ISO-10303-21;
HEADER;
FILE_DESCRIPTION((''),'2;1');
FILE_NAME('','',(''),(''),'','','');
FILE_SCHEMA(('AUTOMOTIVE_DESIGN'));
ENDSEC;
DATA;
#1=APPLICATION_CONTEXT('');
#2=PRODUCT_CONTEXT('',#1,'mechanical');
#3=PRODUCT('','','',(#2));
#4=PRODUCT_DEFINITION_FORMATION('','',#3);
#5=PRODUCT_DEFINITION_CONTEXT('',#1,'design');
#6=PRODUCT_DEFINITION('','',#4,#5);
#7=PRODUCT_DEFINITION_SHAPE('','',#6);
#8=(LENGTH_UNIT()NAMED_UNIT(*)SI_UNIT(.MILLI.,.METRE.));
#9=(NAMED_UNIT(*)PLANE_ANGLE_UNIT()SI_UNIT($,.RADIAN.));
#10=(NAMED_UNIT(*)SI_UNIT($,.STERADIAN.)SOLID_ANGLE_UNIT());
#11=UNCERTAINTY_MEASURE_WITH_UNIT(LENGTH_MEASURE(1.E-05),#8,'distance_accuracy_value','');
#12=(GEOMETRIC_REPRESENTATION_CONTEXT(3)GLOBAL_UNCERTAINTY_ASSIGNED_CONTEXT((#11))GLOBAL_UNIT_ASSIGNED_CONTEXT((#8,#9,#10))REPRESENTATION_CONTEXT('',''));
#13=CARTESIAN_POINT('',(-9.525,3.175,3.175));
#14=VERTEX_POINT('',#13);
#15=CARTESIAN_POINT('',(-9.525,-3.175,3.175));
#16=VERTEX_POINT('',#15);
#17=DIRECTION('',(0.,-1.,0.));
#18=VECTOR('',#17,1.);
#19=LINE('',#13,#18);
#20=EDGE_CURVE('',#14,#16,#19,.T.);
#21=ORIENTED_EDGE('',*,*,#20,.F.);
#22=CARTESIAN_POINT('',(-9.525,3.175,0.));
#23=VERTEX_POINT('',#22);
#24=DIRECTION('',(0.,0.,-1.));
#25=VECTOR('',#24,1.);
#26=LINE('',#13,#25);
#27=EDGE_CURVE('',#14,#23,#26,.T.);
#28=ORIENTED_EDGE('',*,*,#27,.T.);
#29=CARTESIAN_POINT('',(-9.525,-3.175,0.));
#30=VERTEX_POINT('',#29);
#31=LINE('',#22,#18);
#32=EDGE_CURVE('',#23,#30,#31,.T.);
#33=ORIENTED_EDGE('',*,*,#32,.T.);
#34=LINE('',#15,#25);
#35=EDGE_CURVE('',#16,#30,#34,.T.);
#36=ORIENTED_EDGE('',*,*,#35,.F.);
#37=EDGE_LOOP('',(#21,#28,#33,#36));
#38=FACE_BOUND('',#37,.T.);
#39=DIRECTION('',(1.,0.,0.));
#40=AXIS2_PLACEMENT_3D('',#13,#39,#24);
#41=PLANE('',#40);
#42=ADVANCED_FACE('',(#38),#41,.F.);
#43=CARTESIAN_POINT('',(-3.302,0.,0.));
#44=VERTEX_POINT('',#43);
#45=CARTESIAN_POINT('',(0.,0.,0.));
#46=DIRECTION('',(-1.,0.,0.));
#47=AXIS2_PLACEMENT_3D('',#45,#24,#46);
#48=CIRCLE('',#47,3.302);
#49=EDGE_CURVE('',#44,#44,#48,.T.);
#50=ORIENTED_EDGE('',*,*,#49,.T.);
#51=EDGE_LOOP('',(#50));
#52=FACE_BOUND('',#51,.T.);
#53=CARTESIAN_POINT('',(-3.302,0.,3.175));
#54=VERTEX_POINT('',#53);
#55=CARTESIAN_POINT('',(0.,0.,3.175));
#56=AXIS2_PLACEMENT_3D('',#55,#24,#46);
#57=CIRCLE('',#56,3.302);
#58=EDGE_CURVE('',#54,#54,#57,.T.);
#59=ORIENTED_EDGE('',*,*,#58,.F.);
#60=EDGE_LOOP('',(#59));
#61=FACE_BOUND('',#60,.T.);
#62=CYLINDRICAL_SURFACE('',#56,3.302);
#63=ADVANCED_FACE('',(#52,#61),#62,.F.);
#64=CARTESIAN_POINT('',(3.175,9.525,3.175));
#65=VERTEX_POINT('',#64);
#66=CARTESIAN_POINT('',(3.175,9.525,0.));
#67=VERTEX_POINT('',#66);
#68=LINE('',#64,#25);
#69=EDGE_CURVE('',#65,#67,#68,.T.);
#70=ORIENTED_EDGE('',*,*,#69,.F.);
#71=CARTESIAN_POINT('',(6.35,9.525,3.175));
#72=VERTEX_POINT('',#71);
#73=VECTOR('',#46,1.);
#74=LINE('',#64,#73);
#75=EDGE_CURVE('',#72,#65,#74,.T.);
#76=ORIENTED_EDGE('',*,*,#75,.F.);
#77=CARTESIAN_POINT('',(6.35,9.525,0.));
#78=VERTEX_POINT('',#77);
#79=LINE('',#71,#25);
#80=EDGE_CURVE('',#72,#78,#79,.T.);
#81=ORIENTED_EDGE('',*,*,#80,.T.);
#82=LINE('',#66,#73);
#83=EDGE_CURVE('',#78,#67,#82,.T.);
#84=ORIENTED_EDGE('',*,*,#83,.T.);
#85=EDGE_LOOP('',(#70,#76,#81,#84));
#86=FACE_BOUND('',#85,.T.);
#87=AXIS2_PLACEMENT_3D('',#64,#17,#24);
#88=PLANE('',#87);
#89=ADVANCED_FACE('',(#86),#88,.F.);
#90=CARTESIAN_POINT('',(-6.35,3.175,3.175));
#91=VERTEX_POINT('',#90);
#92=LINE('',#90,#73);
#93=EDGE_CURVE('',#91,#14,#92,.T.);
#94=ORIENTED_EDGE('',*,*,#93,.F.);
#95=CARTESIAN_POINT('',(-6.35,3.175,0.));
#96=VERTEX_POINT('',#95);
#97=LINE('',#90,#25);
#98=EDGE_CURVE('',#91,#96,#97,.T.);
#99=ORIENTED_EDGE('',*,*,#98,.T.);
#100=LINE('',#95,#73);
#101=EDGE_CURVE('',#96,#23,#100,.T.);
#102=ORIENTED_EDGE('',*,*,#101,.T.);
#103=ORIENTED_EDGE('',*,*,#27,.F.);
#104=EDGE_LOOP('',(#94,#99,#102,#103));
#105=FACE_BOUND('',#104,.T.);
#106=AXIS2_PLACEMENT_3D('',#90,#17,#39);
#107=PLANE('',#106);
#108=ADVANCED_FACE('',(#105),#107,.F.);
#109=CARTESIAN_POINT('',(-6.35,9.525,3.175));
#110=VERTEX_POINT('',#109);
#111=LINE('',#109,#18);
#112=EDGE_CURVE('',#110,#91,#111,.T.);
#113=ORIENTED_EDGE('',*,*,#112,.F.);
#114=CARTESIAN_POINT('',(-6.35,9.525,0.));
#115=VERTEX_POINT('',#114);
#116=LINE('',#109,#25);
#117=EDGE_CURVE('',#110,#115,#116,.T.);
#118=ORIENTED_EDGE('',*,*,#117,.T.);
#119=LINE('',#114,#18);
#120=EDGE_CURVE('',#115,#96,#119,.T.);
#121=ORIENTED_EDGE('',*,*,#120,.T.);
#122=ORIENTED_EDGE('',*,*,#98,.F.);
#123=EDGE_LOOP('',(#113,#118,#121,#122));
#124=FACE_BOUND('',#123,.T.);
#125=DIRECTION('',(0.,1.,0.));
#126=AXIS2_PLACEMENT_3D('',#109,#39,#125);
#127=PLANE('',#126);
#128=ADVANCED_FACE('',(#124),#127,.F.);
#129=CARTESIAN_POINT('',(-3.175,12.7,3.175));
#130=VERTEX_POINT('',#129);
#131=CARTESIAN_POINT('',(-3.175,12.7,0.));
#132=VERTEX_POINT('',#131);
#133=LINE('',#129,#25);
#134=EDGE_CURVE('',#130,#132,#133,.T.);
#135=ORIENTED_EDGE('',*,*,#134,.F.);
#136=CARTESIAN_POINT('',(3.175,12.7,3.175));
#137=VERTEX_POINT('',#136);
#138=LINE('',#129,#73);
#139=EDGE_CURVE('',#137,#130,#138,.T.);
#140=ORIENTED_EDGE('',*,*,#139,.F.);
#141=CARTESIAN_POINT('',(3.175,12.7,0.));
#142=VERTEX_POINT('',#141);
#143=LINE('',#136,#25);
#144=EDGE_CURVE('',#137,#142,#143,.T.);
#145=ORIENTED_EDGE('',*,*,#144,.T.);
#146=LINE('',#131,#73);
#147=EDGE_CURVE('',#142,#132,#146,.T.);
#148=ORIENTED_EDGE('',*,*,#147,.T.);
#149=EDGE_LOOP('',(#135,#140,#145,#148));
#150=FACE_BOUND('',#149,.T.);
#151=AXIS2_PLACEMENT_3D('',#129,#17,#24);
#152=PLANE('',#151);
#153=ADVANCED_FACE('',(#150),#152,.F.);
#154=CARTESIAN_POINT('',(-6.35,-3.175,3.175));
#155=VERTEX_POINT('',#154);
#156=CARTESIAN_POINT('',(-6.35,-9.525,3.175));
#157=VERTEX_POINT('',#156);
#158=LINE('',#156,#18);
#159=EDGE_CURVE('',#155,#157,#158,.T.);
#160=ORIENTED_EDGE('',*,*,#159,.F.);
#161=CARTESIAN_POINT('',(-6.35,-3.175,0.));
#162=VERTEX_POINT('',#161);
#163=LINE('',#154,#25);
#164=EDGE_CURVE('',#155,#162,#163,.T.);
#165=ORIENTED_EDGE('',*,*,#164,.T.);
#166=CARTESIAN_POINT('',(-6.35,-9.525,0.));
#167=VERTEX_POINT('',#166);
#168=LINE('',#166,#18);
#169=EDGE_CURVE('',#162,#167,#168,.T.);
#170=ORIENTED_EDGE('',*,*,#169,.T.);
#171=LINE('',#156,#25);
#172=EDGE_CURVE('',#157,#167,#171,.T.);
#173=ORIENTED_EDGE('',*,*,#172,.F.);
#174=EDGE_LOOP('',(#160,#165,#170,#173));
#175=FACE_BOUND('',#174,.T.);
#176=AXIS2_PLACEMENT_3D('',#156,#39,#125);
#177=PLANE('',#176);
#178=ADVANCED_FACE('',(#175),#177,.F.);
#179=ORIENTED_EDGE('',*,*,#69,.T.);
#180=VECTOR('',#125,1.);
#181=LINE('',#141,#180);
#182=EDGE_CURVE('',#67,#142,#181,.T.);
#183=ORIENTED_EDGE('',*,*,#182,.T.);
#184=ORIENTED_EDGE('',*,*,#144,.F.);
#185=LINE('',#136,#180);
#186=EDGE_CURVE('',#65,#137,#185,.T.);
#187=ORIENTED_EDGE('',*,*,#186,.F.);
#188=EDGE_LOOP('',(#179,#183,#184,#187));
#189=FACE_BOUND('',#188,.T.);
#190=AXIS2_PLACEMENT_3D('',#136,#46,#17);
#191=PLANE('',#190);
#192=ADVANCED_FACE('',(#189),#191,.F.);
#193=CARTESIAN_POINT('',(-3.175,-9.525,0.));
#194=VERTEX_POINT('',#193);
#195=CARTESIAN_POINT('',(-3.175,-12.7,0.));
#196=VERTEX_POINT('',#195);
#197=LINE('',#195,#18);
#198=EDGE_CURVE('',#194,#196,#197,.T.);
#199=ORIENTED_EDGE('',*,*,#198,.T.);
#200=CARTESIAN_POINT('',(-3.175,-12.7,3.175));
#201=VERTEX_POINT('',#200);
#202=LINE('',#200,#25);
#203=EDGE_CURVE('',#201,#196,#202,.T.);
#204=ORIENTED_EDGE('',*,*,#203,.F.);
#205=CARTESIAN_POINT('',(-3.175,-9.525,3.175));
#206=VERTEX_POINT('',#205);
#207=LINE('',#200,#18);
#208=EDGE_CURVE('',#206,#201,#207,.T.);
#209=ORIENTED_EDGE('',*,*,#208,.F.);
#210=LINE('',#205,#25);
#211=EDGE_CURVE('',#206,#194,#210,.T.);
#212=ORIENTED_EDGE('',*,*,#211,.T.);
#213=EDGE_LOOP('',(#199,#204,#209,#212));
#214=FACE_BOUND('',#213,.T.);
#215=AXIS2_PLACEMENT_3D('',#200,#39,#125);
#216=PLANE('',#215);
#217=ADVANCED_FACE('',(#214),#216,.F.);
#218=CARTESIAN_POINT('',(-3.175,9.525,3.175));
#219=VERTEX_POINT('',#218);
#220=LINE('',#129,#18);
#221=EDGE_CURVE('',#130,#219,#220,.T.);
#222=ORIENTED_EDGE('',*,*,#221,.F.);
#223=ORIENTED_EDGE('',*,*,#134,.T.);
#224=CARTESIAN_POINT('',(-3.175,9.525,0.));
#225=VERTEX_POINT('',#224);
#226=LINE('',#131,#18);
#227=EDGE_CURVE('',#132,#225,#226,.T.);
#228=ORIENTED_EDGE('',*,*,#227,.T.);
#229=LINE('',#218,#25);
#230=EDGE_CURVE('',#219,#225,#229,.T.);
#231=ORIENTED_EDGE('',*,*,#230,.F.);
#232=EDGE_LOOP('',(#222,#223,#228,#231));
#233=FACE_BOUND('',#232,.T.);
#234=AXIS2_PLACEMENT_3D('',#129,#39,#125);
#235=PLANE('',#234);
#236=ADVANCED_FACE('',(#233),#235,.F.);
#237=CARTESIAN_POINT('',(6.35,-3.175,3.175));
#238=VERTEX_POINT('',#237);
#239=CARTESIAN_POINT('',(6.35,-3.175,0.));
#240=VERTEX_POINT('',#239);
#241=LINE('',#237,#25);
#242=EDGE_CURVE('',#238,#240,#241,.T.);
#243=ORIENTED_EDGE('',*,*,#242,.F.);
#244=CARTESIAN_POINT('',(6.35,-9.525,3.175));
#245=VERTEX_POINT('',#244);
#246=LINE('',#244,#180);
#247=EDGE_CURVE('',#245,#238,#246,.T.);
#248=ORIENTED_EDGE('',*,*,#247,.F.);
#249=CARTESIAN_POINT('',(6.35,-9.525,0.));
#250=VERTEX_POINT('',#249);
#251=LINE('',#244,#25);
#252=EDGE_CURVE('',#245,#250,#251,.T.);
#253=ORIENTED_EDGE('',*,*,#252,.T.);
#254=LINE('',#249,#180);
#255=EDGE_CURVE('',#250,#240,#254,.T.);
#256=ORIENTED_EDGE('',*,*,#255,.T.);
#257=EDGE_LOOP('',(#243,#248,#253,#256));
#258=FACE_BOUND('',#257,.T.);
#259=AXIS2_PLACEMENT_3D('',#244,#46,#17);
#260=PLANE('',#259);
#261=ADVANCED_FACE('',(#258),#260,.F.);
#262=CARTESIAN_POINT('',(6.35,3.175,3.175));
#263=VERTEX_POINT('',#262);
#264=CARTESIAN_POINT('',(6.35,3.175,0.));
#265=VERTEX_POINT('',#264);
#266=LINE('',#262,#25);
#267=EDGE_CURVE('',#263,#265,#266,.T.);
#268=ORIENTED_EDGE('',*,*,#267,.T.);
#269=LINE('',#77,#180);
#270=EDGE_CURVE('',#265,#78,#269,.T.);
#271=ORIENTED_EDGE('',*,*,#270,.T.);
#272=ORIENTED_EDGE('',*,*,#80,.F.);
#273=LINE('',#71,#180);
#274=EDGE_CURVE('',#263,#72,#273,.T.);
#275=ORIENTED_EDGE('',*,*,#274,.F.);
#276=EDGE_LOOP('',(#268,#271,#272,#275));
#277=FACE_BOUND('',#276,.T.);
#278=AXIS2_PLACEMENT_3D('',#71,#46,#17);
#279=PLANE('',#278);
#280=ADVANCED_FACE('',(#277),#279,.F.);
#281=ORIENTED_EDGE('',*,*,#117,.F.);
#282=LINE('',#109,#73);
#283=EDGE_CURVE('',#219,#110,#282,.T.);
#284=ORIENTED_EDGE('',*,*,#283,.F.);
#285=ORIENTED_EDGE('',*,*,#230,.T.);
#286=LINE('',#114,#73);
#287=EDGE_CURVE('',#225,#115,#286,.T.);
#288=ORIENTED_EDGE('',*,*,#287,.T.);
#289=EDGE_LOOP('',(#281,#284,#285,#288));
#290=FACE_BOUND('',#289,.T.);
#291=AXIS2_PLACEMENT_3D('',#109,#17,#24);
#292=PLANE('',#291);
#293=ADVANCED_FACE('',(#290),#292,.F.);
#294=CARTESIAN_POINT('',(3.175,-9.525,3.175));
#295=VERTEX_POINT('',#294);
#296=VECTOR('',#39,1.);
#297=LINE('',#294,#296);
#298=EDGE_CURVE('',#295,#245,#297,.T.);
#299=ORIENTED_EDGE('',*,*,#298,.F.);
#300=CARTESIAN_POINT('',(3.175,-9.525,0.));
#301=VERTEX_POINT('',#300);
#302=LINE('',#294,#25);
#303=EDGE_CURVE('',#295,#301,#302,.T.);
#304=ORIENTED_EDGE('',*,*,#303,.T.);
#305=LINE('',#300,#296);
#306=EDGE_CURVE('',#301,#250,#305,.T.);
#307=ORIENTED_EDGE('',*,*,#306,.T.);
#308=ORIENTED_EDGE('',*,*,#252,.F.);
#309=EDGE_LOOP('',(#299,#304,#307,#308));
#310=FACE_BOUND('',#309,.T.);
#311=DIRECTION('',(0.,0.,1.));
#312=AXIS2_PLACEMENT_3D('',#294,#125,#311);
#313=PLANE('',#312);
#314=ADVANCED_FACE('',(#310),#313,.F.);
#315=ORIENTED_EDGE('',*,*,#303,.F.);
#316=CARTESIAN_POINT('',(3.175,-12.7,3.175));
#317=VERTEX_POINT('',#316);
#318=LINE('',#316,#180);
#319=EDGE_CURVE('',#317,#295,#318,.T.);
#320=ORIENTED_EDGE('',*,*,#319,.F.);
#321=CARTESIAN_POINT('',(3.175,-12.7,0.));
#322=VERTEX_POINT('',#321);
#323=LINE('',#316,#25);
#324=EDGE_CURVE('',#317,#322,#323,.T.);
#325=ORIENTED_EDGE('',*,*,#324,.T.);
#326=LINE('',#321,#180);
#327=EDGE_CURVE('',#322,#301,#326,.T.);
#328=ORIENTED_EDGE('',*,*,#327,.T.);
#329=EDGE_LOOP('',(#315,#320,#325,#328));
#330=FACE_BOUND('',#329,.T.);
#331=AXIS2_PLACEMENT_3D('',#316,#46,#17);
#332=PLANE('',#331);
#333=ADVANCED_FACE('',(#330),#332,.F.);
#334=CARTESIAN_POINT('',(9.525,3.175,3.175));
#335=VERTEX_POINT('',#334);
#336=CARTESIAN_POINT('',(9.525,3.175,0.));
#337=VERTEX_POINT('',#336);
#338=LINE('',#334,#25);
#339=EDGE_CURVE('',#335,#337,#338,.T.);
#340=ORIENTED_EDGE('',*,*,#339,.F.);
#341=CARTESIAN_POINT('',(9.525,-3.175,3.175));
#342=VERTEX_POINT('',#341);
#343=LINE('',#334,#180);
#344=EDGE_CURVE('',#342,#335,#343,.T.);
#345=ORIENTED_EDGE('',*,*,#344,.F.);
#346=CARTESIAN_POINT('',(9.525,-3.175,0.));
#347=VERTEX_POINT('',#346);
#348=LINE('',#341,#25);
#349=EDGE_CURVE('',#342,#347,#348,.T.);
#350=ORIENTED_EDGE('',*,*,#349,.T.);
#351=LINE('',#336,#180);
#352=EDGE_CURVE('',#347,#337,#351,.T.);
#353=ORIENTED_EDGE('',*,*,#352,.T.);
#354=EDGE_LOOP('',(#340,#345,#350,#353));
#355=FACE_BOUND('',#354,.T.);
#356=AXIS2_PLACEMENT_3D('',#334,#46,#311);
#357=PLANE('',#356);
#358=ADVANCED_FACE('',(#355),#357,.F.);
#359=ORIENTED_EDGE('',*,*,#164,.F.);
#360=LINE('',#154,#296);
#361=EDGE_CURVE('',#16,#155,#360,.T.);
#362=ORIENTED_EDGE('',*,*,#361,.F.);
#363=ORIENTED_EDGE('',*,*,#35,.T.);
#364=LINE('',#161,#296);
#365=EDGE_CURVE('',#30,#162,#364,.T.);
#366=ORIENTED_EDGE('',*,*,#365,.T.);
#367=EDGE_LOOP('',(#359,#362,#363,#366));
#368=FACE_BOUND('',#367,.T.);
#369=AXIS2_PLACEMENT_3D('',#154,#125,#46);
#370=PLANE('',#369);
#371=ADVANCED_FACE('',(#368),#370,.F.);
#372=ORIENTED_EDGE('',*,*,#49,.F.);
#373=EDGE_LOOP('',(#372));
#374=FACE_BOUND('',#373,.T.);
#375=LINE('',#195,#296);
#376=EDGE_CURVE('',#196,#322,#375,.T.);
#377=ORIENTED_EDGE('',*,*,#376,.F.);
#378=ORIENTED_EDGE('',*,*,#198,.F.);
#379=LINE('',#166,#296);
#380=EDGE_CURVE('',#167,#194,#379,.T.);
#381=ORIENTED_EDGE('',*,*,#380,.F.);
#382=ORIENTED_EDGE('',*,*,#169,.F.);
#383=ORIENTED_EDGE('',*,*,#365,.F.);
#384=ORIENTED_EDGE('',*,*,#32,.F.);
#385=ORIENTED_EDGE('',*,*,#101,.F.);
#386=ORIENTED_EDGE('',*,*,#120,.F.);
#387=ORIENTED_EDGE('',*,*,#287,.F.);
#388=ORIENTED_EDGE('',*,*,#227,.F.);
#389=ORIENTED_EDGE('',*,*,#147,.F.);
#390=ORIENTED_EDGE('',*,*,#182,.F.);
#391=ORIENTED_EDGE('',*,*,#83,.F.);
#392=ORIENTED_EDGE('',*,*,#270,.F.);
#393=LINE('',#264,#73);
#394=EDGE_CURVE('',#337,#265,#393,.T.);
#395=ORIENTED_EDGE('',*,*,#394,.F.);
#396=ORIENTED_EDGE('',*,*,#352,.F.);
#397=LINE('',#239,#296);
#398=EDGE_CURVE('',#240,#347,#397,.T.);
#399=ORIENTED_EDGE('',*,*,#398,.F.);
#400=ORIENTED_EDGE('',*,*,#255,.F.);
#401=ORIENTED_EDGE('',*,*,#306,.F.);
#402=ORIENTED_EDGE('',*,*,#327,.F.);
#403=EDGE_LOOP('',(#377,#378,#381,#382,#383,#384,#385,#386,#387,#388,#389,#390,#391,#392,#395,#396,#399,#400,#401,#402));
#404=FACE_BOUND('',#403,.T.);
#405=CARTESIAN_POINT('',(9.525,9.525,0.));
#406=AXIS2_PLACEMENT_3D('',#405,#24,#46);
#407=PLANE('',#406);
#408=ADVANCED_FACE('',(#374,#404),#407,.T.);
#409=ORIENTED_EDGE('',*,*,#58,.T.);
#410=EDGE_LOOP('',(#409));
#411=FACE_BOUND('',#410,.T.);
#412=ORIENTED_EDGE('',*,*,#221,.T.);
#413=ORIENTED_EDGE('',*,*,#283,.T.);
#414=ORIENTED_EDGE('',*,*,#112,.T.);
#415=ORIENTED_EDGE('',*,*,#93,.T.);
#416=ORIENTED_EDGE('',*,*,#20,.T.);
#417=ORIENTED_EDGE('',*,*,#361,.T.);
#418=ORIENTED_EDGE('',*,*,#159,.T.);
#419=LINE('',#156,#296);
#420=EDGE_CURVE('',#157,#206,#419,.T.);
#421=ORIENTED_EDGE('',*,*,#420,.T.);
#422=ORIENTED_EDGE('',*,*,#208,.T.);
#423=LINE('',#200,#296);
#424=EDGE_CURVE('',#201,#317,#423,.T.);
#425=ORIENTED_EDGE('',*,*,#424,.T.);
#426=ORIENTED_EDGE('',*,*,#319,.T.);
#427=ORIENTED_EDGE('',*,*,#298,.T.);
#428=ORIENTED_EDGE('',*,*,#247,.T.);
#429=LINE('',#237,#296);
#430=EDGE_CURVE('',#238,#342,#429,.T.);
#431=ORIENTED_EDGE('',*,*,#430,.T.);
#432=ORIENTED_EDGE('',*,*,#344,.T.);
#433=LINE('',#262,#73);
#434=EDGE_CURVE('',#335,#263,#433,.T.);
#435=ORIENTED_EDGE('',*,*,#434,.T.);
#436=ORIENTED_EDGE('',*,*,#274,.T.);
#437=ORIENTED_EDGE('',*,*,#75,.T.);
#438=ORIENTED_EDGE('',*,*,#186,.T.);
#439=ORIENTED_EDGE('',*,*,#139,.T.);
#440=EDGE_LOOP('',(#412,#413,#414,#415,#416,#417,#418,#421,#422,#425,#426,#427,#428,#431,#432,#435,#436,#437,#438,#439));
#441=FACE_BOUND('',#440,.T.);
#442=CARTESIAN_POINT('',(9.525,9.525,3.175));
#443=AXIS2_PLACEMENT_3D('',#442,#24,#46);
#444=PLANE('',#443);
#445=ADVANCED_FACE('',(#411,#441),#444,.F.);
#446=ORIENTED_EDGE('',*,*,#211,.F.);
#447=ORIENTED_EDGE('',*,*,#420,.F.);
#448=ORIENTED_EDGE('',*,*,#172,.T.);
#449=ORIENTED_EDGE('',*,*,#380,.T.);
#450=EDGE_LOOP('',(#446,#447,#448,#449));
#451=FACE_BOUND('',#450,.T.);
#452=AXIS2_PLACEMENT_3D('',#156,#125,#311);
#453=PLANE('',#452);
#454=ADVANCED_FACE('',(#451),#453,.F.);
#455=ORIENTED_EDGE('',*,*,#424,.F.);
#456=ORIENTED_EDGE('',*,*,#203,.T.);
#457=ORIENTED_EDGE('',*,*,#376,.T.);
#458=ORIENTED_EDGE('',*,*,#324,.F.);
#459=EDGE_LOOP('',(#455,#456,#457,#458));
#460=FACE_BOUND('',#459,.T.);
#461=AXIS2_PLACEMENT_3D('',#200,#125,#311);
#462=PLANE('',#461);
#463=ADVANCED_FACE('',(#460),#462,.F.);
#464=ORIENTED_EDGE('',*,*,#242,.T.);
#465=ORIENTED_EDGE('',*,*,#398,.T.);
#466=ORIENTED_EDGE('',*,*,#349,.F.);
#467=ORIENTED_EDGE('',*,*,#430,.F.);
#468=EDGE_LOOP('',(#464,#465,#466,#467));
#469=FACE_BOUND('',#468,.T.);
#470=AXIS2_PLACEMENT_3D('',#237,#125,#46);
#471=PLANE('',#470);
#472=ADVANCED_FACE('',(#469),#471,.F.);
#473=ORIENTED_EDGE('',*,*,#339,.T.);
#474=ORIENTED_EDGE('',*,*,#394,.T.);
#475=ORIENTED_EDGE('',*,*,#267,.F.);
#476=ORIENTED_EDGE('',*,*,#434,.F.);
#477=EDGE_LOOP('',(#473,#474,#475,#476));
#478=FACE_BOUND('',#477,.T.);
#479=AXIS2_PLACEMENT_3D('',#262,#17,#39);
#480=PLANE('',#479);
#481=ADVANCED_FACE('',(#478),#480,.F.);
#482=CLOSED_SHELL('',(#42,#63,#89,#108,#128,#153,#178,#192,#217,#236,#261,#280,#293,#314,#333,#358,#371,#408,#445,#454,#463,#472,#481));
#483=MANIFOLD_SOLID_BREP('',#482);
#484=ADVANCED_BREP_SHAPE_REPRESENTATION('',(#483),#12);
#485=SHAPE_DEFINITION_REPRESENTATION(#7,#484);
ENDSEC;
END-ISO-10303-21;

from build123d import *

# Parameters (mm, degrees)
EXTRUDE1_DEPTH     = 3.175
SKETCH2_R          = 3.302
CUT_EXTRUDE1_DEPTH = 3.175


with BuildPart() as part:
    # Sketch1 → Extrude1 (new body)
    with BuildSketch(Plane.XY):
        Polygon((3.175, 9.525), (6.35, 9.525), (6.35, 3.175), (9.525, 3.175), (9.525, -3.175), (6.35, -3.175), (6.35, -9.525), (3.175, -9.525), (3.175, -12.7), (-3.175, -12.7), (-3.175, -9.525), (-6.35, -9.525), (-6.35, -3.175), (-9.525, -3.175), (-9.525, 3.175), (-6.35, 3.175), (-6.35, 9.525), (-3.175, 9.525), (-3.175, 12.7), (3.175, 12.7), align=None)
    extrude(amount=EXTRUDE1_DEPTH)

    # Sketch2 → Cut-Extrude1 (cut)
    with BuildSketch(Plane(origin=(0, 0, 0), x_dir=(-1, 0, 0), z_dir=(0, 0, -1))):
        Circle(SKETCH2_R)
    extrude(amount=-CUT_EXTRUDE1_DEPTH, mode=Mode.SUBTRACT)


solid = part.part
